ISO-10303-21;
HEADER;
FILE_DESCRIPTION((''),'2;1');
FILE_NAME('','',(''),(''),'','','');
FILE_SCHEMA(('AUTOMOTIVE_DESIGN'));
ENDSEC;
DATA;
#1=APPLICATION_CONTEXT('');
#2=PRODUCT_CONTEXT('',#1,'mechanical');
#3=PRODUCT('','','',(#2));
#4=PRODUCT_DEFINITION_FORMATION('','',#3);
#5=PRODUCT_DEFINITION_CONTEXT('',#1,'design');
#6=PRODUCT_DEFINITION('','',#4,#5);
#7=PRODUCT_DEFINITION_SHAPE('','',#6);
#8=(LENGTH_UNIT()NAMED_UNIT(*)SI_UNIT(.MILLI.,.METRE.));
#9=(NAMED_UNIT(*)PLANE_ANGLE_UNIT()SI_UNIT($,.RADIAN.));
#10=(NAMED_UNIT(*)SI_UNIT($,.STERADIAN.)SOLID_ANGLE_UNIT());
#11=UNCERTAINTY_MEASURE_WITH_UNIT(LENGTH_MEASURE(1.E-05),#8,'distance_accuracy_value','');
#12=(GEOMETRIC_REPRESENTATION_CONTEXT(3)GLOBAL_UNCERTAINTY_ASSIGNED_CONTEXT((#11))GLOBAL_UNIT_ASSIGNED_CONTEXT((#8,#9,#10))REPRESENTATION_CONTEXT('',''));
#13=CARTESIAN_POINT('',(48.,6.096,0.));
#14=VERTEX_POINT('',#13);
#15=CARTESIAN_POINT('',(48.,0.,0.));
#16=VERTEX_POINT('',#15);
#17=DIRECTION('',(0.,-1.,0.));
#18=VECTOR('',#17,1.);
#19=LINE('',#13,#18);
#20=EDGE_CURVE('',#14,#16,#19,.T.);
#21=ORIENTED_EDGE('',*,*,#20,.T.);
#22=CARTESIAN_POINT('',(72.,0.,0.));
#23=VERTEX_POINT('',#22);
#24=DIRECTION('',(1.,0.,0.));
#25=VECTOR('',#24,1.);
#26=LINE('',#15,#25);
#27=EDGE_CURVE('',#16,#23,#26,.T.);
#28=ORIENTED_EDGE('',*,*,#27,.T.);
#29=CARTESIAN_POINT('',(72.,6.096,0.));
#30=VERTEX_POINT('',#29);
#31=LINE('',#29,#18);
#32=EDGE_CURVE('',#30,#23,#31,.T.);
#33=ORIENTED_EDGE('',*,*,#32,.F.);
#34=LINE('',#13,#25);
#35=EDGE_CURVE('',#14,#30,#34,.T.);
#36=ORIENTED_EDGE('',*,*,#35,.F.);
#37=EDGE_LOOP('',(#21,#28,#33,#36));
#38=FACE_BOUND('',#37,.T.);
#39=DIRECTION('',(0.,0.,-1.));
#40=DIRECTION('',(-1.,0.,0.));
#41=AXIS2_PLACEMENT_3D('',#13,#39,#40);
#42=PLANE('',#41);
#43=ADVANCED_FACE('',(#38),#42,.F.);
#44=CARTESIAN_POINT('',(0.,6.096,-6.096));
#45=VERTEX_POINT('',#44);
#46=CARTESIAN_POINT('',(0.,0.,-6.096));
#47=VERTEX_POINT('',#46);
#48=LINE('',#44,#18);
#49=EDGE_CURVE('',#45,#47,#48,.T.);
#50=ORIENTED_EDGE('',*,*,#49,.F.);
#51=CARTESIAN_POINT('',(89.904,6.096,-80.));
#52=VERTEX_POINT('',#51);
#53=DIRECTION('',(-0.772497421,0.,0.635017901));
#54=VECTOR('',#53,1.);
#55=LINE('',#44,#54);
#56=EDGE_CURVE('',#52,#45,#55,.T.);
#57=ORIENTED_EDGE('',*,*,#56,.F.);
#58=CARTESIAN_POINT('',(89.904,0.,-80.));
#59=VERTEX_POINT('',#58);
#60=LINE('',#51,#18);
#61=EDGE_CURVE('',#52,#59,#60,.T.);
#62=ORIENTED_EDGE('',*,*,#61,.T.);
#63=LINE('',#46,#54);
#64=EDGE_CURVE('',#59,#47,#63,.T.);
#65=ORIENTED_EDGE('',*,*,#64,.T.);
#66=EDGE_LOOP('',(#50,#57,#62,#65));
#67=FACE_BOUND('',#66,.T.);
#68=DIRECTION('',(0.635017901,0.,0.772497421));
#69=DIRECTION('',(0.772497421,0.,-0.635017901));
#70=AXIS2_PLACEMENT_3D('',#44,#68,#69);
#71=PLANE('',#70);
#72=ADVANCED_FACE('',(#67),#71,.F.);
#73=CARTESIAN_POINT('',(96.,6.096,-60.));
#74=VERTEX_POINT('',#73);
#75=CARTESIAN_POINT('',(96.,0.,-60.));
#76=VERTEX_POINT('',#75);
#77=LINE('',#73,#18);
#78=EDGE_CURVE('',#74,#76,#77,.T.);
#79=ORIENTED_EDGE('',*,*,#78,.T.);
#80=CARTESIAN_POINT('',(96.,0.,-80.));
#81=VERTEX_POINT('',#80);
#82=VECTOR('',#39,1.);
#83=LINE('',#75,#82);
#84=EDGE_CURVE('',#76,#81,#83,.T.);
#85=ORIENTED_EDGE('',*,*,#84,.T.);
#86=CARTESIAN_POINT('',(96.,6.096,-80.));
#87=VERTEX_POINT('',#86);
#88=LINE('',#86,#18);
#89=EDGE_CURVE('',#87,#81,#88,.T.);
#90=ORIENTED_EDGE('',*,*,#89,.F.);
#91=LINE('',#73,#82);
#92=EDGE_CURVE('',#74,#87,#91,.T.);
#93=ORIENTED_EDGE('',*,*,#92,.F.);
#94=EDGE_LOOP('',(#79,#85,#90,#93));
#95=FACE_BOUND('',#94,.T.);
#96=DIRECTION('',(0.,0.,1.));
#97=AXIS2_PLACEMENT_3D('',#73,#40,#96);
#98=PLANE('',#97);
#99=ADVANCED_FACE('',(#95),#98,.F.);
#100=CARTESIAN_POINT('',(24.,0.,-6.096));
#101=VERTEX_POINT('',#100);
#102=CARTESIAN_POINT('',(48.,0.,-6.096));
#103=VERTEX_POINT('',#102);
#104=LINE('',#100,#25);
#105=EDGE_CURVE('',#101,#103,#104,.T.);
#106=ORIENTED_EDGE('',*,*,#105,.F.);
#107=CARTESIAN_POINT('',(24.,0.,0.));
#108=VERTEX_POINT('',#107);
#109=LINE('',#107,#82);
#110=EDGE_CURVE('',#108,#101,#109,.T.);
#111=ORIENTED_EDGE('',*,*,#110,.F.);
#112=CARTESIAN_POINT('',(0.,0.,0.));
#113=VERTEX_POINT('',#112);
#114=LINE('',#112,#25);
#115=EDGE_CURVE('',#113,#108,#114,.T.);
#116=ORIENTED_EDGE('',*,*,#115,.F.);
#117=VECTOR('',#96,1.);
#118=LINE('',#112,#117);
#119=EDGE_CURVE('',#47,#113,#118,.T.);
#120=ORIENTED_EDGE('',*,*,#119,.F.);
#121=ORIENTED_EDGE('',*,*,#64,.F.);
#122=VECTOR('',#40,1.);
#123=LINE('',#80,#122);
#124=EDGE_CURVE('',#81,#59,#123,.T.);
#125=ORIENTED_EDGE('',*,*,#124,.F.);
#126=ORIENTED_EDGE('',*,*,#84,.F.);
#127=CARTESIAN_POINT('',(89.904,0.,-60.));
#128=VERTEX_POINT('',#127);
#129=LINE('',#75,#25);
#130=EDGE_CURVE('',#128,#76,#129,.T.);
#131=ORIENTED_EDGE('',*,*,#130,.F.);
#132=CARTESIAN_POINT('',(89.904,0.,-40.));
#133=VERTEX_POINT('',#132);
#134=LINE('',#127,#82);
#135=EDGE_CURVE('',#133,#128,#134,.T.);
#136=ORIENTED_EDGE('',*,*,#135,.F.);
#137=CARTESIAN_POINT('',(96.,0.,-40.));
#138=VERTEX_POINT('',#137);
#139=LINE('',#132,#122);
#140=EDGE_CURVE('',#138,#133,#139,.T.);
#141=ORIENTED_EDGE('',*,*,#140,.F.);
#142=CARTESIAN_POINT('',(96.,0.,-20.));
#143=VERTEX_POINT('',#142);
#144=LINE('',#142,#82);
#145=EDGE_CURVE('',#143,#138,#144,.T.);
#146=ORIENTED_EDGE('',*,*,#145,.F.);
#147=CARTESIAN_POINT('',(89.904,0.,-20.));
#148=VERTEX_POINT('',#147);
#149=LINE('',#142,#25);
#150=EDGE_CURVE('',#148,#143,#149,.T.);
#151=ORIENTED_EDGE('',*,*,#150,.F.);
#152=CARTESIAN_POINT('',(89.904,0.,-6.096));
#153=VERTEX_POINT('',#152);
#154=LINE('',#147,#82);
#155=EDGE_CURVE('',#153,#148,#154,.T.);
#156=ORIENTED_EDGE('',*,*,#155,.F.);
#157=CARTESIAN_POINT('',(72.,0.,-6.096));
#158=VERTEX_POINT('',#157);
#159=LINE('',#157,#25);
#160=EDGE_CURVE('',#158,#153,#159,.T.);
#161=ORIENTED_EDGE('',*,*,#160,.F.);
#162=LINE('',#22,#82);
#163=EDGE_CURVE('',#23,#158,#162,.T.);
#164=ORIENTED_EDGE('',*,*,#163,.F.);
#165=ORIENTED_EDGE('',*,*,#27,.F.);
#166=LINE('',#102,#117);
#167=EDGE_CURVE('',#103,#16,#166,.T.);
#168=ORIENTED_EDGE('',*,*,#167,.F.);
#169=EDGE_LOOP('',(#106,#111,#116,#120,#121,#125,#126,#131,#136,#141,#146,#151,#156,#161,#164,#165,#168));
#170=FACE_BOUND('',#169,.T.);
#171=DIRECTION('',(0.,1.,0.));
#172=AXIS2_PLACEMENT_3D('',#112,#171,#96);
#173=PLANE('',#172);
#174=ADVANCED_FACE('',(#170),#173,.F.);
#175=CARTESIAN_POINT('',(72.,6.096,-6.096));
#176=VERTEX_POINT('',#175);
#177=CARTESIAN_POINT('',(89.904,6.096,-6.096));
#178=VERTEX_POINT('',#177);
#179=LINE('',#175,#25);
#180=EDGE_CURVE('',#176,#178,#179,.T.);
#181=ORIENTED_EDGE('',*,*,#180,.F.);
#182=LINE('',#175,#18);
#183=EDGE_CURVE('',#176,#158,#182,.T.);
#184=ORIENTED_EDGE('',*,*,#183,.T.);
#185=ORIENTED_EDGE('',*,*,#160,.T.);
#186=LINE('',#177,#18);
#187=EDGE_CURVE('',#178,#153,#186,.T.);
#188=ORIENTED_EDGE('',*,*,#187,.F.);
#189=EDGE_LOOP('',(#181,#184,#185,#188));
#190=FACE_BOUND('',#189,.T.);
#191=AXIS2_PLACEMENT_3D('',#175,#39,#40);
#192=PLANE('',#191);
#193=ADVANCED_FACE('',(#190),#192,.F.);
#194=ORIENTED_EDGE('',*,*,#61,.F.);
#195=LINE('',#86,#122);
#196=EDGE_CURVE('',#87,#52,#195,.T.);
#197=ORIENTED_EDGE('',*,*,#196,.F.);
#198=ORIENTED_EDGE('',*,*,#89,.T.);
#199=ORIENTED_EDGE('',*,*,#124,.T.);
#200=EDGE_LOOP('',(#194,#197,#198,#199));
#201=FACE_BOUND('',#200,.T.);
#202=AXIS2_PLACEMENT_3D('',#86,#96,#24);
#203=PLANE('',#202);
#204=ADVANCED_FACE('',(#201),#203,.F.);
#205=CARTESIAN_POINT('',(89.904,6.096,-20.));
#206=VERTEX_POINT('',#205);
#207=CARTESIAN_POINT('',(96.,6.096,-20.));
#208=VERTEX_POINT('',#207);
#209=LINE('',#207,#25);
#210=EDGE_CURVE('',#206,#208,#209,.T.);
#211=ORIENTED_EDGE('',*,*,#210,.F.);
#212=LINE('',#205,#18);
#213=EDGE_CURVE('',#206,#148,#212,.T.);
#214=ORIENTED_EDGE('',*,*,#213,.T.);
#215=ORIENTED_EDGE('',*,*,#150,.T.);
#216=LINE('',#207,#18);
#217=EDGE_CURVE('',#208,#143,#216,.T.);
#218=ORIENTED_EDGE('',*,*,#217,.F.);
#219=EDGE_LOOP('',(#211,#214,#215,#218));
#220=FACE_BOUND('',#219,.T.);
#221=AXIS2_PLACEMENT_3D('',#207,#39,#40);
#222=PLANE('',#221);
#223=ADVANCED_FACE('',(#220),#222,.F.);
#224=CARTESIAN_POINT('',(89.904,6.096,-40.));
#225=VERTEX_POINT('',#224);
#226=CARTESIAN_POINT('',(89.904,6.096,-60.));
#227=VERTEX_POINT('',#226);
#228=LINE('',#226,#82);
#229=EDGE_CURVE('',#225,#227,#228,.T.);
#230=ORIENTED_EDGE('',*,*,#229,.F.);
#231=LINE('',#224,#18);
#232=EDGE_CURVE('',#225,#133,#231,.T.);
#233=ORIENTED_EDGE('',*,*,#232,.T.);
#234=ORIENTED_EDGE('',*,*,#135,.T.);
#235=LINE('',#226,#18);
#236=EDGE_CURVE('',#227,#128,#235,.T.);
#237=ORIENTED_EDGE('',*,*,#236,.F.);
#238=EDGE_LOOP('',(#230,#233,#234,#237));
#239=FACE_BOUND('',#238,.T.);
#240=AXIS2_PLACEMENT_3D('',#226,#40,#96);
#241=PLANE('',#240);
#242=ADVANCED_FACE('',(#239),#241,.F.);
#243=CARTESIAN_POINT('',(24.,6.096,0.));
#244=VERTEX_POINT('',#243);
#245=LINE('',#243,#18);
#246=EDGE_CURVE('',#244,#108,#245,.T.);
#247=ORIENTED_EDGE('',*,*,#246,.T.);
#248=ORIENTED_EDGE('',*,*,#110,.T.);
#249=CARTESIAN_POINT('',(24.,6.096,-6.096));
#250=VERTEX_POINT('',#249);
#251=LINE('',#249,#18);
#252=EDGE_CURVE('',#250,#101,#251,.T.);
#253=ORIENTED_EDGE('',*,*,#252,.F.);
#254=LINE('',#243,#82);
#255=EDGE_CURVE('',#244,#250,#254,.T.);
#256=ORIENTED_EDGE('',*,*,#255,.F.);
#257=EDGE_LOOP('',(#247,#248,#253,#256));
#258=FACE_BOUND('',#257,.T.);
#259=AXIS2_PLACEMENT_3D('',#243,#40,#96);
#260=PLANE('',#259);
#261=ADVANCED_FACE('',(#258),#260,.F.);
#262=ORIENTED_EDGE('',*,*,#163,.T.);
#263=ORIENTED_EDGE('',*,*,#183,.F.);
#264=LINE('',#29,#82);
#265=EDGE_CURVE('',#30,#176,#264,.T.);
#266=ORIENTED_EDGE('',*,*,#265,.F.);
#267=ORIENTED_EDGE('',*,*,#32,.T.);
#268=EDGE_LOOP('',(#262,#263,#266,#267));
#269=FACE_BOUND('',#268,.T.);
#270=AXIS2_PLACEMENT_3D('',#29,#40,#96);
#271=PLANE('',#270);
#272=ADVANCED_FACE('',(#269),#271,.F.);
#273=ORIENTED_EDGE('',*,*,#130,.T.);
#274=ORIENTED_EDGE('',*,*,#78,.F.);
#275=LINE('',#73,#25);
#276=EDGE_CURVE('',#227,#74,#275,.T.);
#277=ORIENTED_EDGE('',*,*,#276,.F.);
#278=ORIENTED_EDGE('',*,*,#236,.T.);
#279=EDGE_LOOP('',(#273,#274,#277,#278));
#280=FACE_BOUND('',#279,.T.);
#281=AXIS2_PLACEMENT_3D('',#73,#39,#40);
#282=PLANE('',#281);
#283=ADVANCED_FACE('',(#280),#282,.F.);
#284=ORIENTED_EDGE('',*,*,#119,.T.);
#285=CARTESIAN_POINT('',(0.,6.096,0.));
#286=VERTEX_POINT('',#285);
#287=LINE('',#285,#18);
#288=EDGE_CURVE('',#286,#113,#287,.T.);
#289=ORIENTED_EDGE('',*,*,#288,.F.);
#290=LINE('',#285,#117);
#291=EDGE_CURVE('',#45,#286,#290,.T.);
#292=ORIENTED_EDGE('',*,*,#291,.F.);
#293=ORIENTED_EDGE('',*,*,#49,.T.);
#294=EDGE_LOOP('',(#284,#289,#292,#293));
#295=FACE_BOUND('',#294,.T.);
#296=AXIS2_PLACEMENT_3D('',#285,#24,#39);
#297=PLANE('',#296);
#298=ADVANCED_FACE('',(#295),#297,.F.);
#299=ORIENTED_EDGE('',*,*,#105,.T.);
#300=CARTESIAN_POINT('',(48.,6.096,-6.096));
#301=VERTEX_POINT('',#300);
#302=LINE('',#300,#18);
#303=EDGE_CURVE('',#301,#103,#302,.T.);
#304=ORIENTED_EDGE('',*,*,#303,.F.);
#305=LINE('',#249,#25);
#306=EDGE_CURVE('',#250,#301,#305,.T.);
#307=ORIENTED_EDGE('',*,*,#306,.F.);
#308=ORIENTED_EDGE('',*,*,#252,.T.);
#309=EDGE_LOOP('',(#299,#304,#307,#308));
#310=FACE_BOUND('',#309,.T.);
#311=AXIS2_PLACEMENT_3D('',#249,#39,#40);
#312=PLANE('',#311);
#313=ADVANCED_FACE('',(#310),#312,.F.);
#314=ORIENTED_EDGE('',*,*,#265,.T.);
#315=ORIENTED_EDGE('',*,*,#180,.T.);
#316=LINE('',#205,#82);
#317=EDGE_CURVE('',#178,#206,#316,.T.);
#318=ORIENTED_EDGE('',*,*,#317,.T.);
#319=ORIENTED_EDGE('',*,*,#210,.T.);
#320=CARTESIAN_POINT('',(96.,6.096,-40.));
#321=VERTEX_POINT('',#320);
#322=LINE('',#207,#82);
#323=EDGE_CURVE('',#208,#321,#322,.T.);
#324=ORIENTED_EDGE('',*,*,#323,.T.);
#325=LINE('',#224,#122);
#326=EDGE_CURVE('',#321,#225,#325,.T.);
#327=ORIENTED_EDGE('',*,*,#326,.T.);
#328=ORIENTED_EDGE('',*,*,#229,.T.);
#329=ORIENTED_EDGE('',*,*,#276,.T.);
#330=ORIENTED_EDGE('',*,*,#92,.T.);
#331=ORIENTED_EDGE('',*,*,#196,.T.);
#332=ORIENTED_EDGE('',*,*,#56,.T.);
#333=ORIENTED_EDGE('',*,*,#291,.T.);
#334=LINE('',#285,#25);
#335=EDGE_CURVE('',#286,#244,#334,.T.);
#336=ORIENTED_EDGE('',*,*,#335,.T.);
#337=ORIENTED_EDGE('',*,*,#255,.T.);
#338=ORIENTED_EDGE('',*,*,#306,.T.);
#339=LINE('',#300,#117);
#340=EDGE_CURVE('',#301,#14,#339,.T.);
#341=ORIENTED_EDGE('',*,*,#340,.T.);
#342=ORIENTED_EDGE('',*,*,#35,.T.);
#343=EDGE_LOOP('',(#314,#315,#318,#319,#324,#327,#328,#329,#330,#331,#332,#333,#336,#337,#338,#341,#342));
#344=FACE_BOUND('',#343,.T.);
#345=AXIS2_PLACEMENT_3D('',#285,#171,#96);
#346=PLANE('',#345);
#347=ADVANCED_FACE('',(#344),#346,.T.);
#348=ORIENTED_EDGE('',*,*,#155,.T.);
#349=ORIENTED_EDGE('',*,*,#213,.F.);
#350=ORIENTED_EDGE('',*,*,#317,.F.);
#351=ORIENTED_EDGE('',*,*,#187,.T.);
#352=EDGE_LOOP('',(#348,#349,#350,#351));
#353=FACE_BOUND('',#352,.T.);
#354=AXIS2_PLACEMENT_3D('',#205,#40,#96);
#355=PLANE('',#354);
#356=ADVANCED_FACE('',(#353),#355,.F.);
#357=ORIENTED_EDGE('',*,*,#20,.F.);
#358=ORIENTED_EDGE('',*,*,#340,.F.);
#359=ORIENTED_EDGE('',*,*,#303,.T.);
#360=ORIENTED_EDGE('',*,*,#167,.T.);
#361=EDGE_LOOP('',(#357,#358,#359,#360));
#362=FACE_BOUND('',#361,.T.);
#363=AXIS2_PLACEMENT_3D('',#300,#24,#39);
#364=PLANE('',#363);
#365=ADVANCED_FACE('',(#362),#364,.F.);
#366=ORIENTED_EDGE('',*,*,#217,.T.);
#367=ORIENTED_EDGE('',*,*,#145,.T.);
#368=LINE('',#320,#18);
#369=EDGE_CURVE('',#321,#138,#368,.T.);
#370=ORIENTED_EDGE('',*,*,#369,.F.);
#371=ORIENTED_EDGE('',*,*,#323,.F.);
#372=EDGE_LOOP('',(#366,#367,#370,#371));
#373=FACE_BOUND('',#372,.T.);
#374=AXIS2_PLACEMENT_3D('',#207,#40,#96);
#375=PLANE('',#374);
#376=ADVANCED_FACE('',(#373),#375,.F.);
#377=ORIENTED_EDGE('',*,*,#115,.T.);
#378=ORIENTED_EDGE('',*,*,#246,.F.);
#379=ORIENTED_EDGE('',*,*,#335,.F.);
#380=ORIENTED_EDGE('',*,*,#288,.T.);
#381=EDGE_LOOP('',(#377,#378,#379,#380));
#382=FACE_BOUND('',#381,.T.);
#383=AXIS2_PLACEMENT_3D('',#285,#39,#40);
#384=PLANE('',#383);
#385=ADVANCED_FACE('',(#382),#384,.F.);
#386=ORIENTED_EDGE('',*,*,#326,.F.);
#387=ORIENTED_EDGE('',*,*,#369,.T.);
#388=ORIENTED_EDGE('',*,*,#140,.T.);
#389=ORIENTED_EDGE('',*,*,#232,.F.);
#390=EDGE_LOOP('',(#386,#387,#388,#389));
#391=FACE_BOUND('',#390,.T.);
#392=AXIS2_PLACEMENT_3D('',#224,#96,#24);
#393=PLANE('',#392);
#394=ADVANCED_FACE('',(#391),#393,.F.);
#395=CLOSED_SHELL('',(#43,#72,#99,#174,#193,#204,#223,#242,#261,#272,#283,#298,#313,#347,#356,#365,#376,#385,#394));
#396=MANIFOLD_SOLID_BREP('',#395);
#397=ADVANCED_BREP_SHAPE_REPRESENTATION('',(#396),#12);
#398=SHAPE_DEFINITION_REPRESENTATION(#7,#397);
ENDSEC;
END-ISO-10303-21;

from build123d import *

# Parameters (mm, degrees)
BOSS_EXTRUDE1_DEPTH = 6.096


with BuildPart() as part:
    # Sketch1 → Boss-Extrude1 (new body)
    with BuildSketch(Plane(origin=(0, 0, 0), x_dir=(1, 0, 0), z_dir=(0, 1, 0))):
        Polygon((0, 0), (24, 0), (24, 6.096), (48, 6.096), (48, 0), (72, 0), (72, 6.096), (89.904, 6.096), (89.904, 20), (96, 20), (96, 40), (89.904, 40), (89.904, 60), (96, 60), (96, 80), (89.904, 80), (0, 6.096), align=None)
    extrude(amount=BOSS_EXTRUDE1_DEPTH)


solid = part.part
